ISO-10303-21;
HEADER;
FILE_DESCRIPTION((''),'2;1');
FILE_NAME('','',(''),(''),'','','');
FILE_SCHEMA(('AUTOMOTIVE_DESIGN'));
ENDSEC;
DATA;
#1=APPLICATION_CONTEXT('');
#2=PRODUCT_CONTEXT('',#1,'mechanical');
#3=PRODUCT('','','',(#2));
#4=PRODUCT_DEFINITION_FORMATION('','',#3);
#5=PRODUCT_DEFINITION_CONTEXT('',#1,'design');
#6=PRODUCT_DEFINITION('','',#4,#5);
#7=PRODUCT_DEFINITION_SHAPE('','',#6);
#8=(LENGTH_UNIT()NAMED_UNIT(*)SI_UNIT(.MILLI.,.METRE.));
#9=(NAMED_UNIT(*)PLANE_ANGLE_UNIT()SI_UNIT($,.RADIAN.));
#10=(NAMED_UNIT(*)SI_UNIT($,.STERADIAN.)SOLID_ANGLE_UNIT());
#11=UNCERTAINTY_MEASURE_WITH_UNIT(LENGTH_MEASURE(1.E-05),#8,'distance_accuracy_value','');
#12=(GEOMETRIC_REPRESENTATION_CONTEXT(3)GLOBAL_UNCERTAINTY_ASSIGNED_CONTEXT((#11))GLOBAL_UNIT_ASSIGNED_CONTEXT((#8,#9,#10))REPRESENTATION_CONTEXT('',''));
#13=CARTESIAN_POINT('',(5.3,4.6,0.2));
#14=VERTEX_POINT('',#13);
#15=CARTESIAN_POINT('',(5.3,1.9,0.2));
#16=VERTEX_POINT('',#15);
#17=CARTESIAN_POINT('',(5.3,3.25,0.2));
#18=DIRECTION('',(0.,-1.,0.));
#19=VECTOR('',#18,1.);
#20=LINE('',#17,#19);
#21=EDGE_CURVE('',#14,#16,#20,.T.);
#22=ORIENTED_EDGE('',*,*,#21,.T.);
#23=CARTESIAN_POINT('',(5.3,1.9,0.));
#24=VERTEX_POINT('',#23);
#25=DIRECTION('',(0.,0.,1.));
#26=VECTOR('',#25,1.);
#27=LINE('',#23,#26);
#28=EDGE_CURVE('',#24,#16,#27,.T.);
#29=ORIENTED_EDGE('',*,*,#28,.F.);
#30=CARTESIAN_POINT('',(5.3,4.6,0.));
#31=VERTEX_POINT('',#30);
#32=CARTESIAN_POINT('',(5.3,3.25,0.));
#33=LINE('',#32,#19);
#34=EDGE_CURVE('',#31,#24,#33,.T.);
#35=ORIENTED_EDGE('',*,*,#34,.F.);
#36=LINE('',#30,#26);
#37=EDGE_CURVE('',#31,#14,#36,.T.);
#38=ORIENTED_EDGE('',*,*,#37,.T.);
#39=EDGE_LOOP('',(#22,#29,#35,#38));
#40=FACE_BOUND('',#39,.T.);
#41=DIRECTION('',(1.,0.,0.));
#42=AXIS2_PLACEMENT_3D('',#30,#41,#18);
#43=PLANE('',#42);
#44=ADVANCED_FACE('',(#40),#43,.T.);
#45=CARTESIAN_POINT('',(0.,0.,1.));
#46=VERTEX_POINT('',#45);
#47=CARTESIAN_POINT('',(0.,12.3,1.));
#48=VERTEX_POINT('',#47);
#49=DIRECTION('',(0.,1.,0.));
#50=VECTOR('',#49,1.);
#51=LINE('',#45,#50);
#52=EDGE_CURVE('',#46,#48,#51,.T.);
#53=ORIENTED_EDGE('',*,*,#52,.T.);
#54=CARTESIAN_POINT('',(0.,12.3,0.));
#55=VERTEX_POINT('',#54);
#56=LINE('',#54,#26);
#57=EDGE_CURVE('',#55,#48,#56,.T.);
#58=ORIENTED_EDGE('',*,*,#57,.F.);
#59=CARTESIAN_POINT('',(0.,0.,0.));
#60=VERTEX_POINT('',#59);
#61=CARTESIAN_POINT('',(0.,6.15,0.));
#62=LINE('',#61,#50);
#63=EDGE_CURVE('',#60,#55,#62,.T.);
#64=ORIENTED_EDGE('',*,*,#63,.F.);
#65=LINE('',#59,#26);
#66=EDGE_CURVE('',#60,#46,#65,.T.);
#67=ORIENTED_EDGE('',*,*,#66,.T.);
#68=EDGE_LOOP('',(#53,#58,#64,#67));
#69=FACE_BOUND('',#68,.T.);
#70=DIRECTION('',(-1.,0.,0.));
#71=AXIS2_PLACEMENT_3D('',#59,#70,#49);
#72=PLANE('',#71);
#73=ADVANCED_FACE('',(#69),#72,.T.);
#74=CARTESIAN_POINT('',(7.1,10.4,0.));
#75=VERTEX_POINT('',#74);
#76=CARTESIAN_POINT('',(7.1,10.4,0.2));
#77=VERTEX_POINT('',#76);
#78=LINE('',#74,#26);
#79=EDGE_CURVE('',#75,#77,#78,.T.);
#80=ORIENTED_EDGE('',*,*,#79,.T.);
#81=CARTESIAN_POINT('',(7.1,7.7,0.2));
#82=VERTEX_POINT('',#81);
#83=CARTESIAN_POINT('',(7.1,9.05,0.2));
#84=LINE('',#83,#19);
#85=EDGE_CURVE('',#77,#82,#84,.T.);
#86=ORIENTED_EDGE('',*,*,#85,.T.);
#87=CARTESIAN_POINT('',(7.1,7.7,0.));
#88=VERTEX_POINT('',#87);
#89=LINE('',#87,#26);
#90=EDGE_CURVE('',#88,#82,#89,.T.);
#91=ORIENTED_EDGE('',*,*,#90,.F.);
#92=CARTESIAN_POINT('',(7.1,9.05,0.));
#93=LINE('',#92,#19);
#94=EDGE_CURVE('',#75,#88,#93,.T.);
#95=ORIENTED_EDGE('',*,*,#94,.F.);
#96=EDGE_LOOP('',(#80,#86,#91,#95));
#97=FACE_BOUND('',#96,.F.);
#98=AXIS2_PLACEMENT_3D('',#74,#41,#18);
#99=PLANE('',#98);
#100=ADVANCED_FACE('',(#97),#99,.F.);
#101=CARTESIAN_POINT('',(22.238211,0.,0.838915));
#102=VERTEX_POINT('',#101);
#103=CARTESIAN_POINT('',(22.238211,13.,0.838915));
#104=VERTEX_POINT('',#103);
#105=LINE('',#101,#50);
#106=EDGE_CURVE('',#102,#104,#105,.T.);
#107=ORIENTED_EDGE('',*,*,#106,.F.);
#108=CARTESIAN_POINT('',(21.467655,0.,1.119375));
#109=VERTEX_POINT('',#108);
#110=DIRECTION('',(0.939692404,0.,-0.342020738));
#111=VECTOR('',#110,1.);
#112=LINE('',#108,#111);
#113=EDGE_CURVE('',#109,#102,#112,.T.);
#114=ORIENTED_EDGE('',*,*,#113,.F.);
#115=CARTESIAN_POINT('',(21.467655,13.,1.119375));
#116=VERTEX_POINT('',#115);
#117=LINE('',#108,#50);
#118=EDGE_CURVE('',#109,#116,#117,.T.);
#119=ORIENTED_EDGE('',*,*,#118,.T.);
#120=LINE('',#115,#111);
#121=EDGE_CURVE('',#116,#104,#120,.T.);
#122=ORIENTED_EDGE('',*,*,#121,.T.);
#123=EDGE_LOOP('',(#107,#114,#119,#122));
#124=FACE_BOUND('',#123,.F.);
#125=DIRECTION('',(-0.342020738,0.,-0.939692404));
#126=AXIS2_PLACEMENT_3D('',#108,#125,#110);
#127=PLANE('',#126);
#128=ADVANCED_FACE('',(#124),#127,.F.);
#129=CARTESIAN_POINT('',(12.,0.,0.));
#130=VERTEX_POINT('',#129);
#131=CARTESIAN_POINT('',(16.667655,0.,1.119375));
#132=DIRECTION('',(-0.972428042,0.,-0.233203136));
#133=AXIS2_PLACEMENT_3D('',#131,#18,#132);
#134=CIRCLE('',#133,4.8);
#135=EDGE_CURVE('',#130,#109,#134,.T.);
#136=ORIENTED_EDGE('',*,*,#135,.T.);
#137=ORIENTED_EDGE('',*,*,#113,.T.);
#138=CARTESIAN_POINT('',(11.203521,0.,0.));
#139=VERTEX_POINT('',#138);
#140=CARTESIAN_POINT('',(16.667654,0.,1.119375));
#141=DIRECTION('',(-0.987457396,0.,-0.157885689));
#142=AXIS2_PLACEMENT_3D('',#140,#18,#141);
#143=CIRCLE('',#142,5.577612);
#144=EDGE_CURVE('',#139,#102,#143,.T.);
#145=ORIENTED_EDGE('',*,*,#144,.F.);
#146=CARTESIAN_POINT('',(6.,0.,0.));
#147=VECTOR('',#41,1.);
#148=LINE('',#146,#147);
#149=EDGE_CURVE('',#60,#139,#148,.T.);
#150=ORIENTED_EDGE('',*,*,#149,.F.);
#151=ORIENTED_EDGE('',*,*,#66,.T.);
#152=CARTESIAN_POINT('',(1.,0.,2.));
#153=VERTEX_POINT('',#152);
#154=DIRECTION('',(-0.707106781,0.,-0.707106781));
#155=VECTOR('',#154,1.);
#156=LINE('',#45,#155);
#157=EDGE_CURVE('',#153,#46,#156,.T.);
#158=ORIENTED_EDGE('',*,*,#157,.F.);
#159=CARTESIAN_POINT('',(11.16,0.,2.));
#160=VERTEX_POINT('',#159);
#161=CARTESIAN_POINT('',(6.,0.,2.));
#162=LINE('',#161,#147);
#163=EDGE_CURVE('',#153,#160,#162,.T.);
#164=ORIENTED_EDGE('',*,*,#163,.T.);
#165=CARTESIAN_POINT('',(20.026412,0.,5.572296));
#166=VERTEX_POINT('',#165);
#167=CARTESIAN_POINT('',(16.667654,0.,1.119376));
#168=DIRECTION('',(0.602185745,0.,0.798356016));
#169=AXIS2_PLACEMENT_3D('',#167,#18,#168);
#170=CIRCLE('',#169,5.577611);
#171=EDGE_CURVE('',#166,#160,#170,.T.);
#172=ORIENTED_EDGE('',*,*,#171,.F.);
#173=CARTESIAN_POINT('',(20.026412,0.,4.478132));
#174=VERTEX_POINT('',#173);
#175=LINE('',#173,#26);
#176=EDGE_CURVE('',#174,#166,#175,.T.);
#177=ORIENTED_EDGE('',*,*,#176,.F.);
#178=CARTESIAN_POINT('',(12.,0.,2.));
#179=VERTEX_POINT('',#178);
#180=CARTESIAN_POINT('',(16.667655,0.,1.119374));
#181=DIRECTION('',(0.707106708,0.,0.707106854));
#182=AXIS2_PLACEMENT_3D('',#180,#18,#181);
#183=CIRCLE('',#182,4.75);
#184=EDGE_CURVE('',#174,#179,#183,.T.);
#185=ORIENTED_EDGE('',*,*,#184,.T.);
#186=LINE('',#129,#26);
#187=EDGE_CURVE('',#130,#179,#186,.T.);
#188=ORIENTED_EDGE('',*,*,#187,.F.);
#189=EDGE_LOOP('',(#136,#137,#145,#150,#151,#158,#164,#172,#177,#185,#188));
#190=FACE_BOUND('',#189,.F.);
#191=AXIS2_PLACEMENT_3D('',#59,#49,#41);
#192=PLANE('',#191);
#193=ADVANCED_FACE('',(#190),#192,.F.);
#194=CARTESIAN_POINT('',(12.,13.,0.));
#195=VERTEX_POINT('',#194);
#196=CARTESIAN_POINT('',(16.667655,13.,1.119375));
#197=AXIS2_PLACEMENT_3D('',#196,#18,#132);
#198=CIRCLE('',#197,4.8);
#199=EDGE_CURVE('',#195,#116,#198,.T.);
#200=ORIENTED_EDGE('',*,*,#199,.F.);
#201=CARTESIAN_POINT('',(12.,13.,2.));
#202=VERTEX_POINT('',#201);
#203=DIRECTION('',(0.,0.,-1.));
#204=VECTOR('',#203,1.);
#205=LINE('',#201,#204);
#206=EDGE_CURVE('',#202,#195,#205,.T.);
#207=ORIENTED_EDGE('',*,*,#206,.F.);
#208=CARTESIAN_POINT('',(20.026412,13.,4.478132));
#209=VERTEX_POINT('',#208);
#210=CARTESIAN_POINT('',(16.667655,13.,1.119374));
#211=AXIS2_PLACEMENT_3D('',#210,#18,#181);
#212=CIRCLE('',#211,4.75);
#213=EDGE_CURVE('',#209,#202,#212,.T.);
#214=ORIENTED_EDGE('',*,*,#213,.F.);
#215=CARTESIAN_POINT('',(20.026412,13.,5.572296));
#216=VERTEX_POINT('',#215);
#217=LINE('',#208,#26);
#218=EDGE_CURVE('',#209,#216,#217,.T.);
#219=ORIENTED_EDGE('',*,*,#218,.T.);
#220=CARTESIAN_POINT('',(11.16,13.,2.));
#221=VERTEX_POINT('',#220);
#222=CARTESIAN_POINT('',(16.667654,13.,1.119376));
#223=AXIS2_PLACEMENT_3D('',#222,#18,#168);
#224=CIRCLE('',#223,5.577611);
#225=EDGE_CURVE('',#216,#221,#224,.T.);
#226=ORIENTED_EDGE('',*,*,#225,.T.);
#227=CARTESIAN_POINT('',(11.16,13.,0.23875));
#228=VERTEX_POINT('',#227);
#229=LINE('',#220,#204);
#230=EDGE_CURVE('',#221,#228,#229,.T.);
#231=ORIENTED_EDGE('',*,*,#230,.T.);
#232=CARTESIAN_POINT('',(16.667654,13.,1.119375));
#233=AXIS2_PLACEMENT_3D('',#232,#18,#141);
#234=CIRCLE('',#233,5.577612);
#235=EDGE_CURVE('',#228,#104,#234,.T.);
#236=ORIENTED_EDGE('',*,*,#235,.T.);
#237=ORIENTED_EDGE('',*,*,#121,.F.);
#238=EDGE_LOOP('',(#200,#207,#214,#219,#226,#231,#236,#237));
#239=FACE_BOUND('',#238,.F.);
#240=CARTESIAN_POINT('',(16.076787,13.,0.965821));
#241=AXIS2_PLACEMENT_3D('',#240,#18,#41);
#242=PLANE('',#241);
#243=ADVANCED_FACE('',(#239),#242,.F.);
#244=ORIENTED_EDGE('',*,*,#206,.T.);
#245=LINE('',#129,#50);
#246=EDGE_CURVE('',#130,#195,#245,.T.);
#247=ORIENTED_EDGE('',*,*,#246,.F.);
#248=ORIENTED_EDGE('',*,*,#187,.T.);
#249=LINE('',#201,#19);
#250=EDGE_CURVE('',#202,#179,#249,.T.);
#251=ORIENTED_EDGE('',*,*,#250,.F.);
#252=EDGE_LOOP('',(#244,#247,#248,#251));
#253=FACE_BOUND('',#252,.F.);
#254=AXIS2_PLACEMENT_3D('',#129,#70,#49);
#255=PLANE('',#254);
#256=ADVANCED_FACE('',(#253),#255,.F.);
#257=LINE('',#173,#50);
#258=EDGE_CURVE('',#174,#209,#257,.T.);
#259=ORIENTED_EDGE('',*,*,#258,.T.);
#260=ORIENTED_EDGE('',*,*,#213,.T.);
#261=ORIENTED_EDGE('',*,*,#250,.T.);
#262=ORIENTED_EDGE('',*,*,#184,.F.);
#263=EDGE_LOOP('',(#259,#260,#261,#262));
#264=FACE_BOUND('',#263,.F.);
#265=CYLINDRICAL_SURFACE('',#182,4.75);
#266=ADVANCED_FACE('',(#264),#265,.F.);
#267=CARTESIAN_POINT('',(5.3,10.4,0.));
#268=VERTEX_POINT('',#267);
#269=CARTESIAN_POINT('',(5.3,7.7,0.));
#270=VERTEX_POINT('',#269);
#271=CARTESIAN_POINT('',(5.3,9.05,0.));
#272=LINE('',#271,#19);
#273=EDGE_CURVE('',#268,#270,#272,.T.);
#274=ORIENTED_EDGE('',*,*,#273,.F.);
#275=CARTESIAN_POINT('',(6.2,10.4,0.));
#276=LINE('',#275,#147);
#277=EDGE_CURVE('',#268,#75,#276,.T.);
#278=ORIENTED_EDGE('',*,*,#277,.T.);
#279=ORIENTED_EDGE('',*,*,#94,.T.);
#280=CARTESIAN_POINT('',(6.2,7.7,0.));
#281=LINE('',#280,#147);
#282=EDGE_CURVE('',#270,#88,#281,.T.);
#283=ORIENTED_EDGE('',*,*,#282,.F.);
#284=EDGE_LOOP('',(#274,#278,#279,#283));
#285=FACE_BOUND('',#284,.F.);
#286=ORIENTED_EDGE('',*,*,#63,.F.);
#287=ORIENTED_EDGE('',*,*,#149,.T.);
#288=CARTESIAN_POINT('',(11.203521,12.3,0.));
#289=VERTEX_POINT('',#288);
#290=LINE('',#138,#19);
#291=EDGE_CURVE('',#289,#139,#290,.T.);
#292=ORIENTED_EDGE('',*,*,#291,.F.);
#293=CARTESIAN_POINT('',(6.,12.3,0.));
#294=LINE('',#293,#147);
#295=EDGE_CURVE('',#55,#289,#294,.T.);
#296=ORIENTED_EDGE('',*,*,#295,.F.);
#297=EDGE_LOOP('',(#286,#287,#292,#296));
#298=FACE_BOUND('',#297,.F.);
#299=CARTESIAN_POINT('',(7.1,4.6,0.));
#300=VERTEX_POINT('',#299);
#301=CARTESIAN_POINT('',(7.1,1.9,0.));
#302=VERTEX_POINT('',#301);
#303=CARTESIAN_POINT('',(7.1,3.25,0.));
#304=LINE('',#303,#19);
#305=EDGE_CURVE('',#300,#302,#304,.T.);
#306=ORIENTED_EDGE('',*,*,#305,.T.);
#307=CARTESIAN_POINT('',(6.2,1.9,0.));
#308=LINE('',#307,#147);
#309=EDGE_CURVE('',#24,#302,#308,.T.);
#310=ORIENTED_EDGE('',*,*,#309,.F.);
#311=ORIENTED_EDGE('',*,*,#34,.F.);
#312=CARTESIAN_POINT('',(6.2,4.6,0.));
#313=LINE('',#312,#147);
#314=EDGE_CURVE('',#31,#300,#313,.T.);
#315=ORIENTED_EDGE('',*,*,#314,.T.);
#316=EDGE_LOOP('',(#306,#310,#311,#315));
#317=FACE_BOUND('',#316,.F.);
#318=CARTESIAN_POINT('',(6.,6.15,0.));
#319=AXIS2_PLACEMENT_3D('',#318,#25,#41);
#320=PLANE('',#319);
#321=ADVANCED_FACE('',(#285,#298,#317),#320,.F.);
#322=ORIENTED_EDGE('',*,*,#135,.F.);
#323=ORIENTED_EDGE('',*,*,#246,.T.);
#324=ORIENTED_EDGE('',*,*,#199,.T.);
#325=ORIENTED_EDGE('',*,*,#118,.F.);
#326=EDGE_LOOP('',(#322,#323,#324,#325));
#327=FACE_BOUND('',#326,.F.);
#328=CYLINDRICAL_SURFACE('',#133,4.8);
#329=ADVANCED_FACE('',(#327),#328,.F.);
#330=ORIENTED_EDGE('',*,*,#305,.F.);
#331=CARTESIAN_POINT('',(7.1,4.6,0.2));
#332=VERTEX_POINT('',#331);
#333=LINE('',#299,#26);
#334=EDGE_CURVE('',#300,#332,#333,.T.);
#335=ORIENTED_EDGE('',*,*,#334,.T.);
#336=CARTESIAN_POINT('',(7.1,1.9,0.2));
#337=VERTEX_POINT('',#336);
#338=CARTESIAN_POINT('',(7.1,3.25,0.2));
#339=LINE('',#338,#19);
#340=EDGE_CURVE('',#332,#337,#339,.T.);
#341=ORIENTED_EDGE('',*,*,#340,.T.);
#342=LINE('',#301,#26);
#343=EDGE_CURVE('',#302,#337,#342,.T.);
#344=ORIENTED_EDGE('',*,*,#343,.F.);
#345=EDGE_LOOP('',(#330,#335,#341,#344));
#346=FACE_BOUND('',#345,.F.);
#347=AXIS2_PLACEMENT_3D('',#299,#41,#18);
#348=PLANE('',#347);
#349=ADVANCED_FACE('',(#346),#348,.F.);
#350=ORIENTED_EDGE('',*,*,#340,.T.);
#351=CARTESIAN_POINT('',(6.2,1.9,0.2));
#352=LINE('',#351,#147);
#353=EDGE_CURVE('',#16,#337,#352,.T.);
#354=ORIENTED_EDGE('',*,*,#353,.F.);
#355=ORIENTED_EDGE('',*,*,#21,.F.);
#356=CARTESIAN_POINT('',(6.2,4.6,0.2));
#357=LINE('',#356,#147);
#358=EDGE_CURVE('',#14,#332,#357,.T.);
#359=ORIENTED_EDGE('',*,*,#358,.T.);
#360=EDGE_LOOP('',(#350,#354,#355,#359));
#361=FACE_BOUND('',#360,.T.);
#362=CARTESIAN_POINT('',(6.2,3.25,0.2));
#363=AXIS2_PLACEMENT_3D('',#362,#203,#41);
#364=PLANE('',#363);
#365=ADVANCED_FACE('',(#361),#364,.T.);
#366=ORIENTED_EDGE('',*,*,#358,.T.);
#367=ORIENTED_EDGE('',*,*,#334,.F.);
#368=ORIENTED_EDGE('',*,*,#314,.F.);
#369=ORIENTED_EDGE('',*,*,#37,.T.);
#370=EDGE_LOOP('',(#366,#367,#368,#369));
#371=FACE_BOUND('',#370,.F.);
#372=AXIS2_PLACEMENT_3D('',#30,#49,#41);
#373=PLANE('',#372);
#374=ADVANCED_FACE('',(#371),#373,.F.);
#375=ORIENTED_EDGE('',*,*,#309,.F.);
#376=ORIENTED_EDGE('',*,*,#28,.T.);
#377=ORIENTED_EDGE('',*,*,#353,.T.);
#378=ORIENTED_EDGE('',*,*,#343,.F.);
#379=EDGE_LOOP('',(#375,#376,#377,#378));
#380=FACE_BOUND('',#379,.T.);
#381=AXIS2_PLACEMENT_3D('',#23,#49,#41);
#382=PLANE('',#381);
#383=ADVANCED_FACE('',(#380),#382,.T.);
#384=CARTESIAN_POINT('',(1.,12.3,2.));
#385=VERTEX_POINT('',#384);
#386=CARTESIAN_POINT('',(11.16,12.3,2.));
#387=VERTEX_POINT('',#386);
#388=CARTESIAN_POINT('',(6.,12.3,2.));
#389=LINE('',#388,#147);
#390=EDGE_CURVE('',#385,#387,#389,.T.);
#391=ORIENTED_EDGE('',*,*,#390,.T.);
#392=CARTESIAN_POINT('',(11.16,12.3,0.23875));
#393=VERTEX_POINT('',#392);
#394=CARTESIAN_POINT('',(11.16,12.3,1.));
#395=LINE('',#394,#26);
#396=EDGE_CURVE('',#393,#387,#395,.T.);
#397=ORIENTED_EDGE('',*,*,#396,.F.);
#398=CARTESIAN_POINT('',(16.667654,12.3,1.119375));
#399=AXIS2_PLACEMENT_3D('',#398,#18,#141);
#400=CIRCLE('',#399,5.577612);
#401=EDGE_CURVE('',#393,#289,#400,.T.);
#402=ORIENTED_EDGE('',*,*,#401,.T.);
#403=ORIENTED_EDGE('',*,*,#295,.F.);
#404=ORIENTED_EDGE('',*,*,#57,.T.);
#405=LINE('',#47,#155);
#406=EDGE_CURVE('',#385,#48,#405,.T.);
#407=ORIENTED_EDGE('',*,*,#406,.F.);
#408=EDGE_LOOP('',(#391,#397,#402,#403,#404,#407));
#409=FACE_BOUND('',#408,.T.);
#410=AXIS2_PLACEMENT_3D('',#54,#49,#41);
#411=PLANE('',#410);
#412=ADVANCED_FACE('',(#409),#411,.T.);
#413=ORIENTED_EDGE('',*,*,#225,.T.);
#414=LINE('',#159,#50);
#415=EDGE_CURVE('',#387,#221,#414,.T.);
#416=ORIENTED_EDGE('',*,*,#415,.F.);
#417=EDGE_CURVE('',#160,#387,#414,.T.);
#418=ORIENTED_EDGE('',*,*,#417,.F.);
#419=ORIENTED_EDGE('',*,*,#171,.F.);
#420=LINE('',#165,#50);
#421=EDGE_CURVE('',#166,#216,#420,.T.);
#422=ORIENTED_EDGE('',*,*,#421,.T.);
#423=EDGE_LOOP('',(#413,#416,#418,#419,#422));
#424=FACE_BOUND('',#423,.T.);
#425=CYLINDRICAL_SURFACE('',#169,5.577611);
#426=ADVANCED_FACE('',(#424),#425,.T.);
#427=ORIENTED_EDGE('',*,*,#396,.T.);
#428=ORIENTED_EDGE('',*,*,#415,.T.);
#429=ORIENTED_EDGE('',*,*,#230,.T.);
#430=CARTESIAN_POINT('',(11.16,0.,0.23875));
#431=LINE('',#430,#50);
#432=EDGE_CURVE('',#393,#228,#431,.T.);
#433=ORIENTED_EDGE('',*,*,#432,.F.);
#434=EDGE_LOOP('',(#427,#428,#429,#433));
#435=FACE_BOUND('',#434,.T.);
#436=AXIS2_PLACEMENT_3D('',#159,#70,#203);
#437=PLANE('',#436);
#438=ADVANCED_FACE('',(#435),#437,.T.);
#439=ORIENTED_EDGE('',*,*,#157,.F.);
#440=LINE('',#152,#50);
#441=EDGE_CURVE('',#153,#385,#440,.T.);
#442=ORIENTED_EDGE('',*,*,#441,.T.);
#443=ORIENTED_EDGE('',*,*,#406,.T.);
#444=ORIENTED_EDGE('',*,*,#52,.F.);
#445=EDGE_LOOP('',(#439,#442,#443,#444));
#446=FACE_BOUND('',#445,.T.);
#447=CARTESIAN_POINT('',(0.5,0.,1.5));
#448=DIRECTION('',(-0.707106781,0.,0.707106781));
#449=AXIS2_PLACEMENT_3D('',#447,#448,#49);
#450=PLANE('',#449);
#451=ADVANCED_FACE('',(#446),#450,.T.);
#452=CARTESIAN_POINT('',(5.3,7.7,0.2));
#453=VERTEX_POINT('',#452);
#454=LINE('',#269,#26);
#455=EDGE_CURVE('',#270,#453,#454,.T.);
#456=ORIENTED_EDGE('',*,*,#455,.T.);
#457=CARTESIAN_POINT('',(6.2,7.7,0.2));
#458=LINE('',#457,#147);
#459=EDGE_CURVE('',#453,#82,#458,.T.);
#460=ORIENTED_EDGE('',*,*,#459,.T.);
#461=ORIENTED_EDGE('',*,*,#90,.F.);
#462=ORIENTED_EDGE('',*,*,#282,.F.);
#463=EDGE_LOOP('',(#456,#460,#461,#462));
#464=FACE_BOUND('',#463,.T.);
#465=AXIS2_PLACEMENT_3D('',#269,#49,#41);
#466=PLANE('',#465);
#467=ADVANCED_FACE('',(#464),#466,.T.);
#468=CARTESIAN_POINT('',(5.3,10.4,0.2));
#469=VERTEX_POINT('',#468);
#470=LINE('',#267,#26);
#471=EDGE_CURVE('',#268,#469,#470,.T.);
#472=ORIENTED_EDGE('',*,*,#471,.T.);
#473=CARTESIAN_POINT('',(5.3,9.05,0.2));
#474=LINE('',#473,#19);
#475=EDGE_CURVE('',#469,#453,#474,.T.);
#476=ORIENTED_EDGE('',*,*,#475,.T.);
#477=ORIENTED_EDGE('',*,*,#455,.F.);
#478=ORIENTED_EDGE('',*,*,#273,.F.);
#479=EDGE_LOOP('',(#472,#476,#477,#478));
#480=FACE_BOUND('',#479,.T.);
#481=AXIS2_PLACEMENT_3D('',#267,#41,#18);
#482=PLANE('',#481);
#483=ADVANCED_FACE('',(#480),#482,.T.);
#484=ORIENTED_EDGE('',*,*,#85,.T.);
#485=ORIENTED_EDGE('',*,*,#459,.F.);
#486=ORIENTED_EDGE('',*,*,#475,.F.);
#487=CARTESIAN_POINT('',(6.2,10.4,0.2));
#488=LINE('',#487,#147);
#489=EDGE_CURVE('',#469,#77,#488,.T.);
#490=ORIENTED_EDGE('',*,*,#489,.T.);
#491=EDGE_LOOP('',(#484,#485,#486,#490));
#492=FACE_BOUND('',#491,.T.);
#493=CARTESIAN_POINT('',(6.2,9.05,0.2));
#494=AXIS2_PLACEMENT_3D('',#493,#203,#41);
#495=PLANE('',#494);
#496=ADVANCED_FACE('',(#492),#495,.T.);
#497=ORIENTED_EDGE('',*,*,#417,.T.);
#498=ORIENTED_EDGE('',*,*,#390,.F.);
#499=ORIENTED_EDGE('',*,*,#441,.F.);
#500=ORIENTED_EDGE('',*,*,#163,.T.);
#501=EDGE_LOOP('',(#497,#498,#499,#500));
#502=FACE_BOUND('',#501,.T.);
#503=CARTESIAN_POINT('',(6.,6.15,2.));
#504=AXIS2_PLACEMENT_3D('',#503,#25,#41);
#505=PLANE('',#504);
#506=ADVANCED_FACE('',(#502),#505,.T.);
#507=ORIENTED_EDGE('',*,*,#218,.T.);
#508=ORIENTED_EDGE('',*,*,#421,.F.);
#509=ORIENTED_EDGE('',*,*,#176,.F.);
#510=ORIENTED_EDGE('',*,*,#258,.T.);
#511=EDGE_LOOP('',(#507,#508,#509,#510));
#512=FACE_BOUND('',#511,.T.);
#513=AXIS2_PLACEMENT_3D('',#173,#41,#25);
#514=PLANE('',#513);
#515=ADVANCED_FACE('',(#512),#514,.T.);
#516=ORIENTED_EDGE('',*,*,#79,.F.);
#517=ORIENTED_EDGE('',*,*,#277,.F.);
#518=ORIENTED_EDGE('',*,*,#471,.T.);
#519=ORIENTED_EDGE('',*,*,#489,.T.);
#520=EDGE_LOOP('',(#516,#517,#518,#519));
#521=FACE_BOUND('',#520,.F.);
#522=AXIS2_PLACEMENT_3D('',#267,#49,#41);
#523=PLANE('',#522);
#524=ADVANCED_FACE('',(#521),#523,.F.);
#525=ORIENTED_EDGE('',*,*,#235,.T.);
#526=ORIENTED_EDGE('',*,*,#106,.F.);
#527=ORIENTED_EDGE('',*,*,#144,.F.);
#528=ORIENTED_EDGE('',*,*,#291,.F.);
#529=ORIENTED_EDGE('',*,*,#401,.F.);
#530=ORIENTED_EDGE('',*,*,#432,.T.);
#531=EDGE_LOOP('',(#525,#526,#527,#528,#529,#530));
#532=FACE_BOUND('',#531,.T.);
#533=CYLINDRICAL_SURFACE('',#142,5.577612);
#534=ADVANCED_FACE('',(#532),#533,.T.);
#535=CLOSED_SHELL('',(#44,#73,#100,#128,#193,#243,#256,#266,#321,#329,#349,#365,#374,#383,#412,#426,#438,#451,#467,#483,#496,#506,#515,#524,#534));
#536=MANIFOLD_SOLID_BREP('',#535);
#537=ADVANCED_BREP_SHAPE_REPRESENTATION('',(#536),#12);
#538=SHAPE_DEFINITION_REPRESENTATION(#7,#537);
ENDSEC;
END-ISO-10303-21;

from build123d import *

# Parameters (mm, degrees)
SKETCH_W     = 12
SKETCH_H     = 12.3
PAD_DEPTH    = 2
SKETCH001_W  = 1.8
SKETCH001_H  = 2.7
POCKET_DEPTH = 0.2
PAD001_DEPTH = 13
CHAMFER_SIZE = 1


with BuildPart() as part:
    # Sketch → Pad (new body)
    with BuildSketch(Plane.XY):
        with Locations((6, 6.15)):
            Rectangle(SKETCH_W, SKETCH_H)
    extrude(amount=PAD_DEPTH)

    # Sketch001 (on Face5 of Pad) → Pocket (cut)
    with BuildSketch(Plane(origin=(0, 0, 0), x_dir=(1, 0, 0), z_dir=(0, 0, -1))):
        with Locations((6.2, -3.25)):
            Rectangle(SKETCH001_W, SKETCH001_H)
        with Locations((6.2, -9.05)):
            Rectangle(SKETCH001_W, SKETCH001_H)
    extrude(amount=-POCKET_DEPTH, mode=Mode.SUBTRACT)

    # Sketch002 (on Face1 of Pocket) → Pad001 (join)
    with BuildSketch(Plane.XZ):
        with BuildLine():
            ThreePointArc((11.16, 0.23875), (16.969381, -4.45007), (22.238211, 0.838915))
            Line((21.467655, 1.119375), (22.238211, 0.838915))
            ThreePointArc((12, 0), (17.23124, -3.647424), (21.467655, 1.119375))
            Line((12, 2), (12, 0))
            ThreePointArc((20.026412, 4.478132), (15.266374, 5.657977), (12, 2))
            Line((20.026412, 4.478132), (20.026412, 5.572296))
            ThreePointArc((20.026412, 5.572296), (14.583244, 6.292865), (11.16, 2))
            Line((11.16, 2), (11.16, 0.23875))
        make_face()
    extrude(amount=-PAD001_DEPTH)

    # Chamfer
    chamfer_edges = [part.edges().sort_by_distance(p)[0] for p in [
        (0, 6.15, 2),
    ]]
    chamfer(chamfer_edges, length=CHAMFER_SIZE)


solid = part.part
